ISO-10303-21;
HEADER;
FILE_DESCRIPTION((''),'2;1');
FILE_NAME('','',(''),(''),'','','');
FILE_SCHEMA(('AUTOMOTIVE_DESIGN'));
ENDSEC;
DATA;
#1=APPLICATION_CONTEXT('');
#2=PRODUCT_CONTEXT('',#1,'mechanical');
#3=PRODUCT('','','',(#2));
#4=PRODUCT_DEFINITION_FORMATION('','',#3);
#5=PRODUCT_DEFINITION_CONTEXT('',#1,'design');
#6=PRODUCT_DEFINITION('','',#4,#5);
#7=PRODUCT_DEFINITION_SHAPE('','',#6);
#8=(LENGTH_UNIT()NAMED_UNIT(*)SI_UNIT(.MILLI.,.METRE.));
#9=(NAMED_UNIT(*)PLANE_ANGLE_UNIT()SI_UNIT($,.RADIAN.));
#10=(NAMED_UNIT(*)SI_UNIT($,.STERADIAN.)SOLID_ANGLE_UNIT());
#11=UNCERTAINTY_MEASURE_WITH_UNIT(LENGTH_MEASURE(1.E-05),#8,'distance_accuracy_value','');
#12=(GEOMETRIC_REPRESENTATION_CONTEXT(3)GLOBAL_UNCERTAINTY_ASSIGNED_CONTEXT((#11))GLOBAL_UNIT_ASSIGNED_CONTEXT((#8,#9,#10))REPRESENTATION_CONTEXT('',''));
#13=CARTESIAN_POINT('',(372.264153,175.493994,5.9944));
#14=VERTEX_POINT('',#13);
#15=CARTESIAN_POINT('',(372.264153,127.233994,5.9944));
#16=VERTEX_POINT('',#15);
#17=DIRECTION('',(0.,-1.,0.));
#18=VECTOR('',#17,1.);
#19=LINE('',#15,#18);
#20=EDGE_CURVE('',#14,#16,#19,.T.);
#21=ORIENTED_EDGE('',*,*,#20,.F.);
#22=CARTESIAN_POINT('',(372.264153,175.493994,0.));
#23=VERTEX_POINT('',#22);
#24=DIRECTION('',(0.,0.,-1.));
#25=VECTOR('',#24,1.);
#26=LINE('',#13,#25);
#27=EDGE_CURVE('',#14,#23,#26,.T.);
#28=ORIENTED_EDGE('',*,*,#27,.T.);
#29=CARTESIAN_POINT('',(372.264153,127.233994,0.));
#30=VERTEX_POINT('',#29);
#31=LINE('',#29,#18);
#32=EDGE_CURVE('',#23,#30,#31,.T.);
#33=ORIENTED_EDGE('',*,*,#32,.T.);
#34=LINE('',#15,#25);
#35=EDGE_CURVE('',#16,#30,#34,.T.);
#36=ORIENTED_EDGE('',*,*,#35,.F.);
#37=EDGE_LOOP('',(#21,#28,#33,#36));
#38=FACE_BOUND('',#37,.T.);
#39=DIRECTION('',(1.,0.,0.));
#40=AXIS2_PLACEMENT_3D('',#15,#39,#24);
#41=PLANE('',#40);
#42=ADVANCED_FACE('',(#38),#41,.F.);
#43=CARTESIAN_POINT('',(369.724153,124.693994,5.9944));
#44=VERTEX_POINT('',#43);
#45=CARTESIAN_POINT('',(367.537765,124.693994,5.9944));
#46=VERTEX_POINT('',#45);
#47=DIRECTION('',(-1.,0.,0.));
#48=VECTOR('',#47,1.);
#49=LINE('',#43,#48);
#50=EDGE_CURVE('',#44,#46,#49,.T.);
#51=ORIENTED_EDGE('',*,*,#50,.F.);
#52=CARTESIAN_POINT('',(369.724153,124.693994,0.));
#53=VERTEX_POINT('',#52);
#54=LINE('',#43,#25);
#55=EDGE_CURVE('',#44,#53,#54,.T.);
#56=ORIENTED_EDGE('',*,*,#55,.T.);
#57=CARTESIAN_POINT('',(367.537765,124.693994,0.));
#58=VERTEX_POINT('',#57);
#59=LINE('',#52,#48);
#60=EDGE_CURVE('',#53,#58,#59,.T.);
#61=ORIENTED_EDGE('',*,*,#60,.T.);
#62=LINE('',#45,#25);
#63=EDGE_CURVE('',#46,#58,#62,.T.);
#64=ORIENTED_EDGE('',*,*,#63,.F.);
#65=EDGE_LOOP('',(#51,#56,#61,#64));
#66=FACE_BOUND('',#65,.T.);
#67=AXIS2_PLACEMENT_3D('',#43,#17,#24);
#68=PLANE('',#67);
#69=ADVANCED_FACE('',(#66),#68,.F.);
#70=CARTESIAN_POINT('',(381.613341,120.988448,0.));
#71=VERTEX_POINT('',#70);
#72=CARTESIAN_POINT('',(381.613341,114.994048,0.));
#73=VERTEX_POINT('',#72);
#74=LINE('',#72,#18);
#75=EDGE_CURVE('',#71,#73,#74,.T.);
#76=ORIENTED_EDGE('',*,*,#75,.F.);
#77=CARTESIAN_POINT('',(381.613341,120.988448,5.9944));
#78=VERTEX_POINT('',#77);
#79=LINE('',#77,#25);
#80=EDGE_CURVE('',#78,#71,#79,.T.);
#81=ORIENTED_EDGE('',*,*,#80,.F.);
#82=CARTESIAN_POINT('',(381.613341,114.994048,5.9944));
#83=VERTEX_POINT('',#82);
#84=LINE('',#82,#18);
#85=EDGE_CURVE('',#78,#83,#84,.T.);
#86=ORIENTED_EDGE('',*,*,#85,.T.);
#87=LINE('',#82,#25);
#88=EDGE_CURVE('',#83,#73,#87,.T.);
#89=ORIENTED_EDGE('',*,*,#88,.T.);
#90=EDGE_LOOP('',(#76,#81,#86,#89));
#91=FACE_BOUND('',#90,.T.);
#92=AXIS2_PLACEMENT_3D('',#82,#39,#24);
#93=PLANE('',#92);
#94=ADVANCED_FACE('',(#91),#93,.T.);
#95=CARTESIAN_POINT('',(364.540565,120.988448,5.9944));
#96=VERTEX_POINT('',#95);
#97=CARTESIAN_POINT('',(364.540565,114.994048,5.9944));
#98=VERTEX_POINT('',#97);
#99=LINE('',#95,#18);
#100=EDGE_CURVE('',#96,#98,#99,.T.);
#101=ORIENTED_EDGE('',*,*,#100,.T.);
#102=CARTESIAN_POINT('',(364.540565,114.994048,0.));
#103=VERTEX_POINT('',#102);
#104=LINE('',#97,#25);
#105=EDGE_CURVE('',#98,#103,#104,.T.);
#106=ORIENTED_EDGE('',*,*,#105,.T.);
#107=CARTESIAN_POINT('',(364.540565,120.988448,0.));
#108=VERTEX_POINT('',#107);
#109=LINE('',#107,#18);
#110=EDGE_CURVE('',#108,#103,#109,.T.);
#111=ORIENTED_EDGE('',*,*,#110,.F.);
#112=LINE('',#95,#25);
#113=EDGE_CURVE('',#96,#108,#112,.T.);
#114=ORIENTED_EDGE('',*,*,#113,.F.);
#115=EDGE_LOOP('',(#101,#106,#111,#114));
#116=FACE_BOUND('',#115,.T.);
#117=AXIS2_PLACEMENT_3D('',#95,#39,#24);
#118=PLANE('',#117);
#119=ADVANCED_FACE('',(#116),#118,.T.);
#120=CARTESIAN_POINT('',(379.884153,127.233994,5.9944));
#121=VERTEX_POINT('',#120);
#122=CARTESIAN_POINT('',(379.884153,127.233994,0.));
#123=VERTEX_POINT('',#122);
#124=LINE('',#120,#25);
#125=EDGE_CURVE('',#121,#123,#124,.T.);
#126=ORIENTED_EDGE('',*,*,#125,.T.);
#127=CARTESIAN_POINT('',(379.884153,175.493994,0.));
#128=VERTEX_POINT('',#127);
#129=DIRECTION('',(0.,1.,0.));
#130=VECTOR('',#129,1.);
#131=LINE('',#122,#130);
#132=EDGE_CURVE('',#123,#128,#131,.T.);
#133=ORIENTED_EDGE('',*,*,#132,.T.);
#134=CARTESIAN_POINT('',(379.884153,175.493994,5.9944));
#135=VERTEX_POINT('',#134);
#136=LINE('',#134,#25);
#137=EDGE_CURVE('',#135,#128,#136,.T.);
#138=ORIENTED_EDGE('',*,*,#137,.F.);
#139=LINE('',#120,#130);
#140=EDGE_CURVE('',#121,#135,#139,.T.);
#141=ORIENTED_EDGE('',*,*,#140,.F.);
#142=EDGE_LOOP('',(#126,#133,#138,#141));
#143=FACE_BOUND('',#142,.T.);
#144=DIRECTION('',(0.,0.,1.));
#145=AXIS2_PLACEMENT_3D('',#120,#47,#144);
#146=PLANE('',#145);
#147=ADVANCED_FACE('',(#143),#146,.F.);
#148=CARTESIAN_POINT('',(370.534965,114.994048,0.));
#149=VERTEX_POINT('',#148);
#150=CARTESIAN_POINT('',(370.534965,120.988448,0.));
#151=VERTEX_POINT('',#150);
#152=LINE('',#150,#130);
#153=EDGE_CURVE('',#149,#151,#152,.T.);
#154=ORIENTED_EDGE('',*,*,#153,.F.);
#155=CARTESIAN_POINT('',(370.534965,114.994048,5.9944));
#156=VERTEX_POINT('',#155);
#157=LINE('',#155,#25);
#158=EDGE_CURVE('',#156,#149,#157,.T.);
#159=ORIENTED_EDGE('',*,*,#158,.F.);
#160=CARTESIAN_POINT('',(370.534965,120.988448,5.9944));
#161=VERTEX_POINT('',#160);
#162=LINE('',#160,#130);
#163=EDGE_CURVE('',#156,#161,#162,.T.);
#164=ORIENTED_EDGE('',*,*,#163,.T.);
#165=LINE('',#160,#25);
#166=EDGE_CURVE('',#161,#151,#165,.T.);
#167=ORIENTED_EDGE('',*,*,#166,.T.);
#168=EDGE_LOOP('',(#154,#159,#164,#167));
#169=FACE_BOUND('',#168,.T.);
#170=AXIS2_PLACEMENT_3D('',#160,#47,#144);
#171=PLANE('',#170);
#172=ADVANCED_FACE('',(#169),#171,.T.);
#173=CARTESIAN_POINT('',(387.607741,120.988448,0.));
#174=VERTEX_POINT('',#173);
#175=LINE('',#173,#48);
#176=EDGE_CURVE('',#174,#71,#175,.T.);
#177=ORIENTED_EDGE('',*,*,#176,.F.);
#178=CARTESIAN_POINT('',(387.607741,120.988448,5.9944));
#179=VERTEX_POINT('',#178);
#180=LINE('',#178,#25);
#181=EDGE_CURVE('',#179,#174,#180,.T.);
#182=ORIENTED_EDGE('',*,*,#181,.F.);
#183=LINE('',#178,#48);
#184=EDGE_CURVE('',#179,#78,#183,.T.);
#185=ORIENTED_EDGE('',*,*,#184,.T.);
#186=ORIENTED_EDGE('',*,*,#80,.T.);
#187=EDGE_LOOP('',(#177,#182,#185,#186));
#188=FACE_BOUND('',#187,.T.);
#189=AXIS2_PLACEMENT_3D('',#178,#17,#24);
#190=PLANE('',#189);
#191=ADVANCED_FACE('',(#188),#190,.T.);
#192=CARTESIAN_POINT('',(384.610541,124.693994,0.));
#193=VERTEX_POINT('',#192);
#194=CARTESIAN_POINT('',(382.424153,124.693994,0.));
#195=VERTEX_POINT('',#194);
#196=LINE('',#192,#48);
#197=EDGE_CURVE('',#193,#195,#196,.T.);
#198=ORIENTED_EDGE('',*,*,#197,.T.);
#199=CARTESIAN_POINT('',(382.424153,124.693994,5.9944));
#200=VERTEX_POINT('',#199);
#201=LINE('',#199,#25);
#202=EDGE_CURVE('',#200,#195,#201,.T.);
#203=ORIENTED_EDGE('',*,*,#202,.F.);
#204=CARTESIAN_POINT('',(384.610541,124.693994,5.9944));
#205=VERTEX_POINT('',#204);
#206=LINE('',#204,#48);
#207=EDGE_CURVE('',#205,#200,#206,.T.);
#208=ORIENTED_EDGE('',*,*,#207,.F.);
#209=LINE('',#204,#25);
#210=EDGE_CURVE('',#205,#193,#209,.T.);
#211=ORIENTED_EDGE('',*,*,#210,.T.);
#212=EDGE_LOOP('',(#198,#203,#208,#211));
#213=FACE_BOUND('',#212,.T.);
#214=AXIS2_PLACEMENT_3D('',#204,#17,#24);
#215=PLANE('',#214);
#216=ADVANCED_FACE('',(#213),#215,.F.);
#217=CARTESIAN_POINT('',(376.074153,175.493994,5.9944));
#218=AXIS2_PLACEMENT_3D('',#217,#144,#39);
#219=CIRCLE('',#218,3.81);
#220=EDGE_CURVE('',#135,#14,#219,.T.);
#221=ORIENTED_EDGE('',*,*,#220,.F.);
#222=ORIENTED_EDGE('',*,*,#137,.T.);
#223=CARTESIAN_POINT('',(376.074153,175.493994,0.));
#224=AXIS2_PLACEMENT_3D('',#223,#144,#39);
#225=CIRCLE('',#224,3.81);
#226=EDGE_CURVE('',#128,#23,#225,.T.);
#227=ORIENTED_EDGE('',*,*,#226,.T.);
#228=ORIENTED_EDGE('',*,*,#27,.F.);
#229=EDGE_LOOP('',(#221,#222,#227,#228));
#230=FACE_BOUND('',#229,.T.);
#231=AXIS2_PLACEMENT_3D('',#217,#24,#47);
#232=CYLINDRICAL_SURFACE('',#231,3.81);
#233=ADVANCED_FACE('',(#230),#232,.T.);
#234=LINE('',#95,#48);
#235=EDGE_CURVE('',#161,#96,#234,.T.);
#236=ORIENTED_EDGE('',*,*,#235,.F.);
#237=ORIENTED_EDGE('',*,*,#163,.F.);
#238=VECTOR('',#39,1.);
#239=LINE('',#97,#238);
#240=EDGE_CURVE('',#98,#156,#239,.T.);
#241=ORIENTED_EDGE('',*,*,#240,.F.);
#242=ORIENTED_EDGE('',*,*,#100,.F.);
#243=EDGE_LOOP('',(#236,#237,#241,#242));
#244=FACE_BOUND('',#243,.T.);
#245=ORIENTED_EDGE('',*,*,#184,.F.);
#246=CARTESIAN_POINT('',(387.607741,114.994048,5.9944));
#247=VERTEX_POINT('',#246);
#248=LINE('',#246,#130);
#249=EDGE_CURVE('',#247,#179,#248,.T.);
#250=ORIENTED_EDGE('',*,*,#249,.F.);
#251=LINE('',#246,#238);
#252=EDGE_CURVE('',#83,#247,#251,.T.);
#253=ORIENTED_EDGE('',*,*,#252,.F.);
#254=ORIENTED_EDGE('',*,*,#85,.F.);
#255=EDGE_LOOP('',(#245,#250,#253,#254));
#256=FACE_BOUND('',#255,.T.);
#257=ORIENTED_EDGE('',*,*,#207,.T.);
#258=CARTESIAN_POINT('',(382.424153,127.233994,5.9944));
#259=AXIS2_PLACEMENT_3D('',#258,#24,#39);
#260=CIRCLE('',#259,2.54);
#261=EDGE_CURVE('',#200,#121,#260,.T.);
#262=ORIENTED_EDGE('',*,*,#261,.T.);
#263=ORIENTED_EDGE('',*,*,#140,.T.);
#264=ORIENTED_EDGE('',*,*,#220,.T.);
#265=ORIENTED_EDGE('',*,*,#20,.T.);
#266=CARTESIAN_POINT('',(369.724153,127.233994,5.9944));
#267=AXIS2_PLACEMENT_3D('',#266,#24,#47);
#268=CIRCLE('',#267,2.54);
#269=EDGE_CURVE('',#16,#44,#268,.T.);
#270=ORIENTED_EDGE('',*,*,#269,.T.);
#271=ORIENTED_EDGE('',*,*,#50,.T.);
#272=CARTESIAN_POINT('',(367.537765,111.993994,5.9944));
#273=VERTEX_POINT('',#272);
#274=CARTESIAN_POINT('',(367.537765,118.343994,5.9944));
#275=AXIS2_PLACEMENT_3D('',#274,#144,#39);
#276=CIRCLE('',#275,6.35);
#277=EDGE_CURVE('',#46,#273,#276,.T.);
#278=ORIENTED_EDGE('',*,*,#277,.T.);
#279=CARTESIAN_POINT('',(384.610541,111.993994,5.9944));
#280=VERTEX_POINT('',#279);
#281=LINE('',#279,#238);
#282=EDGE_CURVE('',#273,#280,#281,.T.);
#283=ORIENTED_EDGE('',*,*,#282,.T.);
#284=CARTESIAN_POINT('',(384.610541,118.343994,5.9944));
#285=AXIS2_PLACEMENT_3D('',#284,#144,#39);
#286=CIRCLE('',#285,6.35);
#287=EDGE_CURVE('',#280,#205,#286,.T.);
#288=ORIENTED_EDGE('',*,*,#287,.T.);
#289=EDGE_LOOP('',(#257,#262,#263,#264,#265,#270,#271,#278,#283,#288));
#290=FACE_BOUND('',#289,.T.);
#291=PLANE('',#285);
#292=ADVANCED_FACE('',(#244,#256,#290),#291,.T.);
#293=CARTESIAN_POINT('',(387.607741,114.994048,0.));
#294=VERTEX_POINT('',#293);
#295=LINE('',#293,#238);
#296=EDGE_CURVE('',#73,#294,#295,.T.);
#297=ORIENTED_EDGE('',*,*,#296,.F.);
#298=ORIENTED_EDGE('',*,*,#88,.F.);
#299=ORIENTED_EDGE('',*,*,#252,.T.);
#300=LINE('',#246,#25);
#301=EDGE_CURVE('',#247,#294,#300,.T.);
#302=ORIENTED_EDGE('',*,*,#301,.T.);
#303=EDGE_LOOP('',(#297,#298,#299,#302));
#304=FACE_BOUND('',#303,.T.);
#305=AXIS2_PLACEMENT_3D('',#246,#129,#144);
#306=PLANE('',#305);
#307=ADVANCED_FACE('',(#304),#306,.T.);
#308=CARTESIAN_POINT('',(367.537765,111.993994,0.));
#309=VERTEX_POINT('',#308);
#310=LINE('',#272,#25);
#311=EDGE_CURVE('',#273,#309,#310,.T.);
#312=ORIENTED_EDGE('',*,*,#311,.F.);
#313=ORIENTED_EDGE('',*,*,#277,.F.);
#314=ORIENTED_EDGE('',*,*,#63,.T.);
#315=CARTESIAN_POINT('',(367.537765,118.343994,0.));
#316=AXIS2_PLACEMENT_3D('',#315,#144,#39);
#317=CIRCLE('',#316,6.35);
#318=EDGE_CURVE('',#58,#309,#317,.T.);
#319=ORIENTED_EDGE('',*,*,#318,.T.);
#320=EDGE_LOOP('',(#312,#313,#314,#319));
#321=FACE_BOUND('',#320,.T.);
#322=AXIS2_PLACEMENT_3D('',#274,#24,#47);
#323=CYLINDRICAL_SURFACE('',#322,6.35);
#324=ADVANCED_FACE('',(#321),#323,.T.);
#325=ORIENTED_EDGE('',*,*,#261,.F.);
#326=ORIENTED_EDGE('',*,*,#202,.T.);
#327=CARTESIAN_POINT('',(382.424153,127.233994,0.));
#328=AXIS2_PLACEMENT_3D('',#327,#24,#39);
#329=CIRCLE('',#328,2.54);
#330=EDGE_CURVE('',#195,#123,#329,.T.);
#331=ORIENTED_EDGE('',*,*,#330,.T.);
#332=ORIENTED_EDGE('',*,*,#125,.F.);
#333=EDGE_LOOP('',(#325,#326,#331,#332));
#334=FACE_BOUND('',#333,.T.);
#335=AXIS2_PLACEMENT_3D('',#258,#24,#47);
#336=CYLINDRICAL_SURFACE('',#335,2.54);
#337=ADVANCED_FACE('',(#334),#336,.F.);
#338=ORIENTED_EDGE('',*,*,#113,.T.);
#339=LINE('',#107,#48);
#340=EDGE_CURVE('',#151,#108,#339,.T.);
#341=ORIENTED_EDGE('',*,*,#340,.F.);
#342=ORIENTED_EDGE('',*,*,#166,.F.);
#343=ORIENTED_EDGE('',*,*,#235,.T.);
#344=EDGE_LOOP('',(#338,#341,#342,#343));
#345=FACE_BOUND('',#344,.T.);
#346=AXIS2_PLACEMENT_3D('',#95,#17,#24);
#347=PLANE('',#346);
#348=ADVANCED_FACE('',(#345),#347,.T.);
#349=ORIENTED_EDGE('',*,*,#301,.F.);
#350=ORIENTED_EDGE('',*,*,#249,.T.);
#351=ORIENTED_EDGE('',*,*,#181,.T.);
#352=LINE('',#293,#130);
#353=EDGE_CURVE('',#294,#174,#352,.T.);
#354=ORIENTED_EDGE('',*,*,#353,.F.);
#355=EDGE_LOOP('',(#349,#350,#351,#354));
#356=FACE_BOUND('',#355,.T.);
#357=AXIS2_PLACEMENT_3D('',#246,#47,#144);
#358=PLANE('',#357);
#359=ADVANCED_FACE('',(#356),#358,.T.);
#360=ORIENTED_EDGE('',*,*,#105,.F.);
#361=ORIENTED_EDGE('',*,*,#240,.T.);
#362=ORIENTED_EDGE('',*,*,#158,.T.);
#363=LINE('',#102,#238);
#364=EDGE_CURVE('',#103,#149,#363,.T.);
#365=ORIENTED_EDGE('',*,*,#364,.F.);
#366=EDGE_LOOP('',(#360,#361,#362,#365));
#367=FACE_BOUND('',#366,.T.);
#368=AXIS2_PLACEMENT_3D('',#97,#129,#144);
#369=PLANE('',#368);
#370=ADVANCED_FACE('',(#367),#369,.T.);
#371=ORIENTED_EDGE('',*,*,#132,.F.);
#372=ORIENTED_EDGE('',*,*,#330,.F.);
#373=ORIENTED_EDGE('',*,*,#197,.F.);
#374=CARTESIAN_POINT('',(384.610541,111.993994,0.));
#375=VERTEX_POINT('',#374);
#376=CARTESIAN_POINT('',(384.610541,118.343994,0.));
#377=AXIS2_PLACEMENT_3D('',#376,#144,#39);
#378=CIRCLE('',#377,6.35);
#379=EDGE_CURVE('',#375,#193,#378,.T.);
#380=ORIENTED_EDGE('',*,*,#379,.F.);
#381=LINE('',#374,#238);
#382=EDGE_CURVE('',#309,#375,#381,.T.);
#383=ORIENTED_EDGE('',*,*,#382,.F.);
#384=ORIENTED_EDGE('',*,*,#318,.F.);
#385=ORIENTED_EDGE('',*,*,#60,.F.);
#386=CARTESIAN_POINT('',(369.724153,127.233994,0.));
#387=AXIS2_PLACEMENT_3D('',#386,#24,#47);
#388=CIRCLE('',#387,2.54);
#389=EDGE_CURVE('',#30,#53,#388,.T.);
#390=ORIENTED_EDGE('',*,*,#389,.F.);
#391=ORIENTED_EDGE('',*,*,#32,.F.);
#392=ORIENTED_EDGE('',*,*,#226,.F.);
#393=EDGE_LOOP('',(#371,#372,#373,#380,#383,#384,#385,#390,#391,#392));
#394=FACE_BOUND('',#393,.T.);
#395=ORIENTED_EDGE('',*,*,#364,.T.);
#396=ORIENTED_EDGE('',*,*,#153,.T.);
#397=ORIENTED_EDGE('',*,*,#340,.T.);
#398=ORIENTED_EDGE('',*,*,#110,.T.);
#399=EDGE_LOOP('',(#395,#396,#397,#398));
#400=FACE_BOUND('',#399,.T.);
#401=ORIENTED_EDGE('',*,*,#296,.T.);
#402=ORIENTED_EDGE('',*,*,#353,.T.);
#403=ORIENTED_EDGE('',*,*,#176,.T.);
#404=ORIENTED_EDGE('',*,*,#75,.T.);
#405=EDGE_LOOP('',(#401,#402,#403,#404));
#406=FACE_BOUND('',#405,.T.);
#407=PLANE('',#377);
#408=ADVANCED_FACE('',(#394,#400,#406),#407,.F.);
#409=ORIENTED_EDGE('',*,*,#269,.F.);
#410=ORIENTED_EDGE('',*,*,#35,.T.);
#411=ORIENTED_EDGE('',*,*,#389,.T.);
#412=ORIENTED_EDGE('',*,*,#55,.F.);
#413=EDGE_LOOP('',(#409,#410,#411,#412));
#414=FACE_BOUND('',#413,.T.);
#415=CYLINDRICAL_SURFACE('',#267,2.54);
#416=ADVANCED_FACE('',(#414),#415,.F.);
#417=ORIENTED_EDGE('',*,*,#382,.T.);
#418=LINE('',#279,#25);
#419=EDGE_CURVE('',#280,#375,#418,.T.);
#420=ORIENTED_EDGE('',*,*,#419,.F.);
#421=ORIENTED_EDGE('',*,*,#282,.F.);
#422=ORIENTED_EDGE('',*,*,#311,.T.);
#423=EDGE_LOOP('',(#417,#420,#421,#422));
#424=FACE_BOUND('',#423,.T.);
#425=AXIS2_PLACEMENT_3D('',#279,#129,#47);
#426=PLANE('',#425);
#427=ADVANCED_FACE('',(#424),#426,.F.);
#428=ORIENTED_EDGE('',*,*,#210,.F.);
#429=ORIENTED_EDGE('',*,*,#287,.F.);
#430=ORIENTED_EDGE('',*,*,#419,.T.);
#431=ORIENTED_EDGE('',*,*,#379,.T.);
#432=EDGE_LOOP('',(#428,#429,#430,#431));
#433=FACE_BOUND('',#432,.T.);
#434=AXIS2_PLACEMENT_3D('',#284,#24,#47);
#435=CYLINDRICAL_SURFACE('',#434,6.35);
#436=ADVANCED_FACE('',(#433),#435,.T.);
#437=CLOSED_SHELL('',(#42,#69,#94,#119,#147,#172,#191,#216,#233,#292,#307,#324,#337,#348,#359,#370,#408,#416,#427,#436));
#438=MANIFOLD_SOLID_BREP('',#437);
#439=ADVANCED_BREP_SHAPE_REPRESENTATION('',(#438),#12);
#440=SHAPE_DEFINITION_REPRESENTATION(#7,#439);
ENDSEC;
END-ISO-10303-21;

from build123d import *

# Parameters (mm, degrees)
SKETCH1_W           = 5.9944
SKETCH1_H           = 5.9944
BOSS_EXTRUDE1_DEPTH = 5.9944


with BuildPart() as part:
    # Sketch1 → Boss-Extrude1 (new body)
    with BuildSketch(Plane.XY):
        with BuildLine():
            Line((384.610540851, 111.993994152), (367.537765391, 111.993994152))
            ThreePointArc((367.537765391, 111.993994152), (361.187765391, 118.343994152), (367.537765391, 124.693994152))
            Line((367.537765391, 124.693994152), (369.724153121, 124.693994152))
            ThreePointArc((369.724153121, 124.693994152), (371.520204345, 125.437942928), (372.264153121, 127.233994152))
            Line((372.264153121, 127.233994152), (372.264153121, 175.493994152))
            ThreePointArc((372.264153121, 175.493994152), (376.074153121, 179.303994152), (379.884153121, 175.493994152))
            Line((379.884153121, 175.493994152), (379.884153121, 127.233994152))
            ThreePointArc((379.884153121, 127.233994152), (380.628101897, 125.437942928), (382.424153121, 124.693994152))
            Line((382.424153121, 124.693994152), (384.610540851, 124.693994152))
            ThreePointArc((384.610540851, 124.693994152), (390.960540851, 118.343994152), (384.610540851, 111.993994152))
        make_face()
        with Locations((384.610540851, 117.991248441)):
            Rectangle(SKETCH1_W, SKETCH1_H, mode=Mode.SUBTRACT)
        with Locations((367.537765391, 117.991248441)):
            Rectangle(SKETCH1_W, SKETCH1_H, mode=Mode.SUBTRACT)
    extrude(amount=BOSS_EXTRUDE1_DEPTH)


solid = part.part
